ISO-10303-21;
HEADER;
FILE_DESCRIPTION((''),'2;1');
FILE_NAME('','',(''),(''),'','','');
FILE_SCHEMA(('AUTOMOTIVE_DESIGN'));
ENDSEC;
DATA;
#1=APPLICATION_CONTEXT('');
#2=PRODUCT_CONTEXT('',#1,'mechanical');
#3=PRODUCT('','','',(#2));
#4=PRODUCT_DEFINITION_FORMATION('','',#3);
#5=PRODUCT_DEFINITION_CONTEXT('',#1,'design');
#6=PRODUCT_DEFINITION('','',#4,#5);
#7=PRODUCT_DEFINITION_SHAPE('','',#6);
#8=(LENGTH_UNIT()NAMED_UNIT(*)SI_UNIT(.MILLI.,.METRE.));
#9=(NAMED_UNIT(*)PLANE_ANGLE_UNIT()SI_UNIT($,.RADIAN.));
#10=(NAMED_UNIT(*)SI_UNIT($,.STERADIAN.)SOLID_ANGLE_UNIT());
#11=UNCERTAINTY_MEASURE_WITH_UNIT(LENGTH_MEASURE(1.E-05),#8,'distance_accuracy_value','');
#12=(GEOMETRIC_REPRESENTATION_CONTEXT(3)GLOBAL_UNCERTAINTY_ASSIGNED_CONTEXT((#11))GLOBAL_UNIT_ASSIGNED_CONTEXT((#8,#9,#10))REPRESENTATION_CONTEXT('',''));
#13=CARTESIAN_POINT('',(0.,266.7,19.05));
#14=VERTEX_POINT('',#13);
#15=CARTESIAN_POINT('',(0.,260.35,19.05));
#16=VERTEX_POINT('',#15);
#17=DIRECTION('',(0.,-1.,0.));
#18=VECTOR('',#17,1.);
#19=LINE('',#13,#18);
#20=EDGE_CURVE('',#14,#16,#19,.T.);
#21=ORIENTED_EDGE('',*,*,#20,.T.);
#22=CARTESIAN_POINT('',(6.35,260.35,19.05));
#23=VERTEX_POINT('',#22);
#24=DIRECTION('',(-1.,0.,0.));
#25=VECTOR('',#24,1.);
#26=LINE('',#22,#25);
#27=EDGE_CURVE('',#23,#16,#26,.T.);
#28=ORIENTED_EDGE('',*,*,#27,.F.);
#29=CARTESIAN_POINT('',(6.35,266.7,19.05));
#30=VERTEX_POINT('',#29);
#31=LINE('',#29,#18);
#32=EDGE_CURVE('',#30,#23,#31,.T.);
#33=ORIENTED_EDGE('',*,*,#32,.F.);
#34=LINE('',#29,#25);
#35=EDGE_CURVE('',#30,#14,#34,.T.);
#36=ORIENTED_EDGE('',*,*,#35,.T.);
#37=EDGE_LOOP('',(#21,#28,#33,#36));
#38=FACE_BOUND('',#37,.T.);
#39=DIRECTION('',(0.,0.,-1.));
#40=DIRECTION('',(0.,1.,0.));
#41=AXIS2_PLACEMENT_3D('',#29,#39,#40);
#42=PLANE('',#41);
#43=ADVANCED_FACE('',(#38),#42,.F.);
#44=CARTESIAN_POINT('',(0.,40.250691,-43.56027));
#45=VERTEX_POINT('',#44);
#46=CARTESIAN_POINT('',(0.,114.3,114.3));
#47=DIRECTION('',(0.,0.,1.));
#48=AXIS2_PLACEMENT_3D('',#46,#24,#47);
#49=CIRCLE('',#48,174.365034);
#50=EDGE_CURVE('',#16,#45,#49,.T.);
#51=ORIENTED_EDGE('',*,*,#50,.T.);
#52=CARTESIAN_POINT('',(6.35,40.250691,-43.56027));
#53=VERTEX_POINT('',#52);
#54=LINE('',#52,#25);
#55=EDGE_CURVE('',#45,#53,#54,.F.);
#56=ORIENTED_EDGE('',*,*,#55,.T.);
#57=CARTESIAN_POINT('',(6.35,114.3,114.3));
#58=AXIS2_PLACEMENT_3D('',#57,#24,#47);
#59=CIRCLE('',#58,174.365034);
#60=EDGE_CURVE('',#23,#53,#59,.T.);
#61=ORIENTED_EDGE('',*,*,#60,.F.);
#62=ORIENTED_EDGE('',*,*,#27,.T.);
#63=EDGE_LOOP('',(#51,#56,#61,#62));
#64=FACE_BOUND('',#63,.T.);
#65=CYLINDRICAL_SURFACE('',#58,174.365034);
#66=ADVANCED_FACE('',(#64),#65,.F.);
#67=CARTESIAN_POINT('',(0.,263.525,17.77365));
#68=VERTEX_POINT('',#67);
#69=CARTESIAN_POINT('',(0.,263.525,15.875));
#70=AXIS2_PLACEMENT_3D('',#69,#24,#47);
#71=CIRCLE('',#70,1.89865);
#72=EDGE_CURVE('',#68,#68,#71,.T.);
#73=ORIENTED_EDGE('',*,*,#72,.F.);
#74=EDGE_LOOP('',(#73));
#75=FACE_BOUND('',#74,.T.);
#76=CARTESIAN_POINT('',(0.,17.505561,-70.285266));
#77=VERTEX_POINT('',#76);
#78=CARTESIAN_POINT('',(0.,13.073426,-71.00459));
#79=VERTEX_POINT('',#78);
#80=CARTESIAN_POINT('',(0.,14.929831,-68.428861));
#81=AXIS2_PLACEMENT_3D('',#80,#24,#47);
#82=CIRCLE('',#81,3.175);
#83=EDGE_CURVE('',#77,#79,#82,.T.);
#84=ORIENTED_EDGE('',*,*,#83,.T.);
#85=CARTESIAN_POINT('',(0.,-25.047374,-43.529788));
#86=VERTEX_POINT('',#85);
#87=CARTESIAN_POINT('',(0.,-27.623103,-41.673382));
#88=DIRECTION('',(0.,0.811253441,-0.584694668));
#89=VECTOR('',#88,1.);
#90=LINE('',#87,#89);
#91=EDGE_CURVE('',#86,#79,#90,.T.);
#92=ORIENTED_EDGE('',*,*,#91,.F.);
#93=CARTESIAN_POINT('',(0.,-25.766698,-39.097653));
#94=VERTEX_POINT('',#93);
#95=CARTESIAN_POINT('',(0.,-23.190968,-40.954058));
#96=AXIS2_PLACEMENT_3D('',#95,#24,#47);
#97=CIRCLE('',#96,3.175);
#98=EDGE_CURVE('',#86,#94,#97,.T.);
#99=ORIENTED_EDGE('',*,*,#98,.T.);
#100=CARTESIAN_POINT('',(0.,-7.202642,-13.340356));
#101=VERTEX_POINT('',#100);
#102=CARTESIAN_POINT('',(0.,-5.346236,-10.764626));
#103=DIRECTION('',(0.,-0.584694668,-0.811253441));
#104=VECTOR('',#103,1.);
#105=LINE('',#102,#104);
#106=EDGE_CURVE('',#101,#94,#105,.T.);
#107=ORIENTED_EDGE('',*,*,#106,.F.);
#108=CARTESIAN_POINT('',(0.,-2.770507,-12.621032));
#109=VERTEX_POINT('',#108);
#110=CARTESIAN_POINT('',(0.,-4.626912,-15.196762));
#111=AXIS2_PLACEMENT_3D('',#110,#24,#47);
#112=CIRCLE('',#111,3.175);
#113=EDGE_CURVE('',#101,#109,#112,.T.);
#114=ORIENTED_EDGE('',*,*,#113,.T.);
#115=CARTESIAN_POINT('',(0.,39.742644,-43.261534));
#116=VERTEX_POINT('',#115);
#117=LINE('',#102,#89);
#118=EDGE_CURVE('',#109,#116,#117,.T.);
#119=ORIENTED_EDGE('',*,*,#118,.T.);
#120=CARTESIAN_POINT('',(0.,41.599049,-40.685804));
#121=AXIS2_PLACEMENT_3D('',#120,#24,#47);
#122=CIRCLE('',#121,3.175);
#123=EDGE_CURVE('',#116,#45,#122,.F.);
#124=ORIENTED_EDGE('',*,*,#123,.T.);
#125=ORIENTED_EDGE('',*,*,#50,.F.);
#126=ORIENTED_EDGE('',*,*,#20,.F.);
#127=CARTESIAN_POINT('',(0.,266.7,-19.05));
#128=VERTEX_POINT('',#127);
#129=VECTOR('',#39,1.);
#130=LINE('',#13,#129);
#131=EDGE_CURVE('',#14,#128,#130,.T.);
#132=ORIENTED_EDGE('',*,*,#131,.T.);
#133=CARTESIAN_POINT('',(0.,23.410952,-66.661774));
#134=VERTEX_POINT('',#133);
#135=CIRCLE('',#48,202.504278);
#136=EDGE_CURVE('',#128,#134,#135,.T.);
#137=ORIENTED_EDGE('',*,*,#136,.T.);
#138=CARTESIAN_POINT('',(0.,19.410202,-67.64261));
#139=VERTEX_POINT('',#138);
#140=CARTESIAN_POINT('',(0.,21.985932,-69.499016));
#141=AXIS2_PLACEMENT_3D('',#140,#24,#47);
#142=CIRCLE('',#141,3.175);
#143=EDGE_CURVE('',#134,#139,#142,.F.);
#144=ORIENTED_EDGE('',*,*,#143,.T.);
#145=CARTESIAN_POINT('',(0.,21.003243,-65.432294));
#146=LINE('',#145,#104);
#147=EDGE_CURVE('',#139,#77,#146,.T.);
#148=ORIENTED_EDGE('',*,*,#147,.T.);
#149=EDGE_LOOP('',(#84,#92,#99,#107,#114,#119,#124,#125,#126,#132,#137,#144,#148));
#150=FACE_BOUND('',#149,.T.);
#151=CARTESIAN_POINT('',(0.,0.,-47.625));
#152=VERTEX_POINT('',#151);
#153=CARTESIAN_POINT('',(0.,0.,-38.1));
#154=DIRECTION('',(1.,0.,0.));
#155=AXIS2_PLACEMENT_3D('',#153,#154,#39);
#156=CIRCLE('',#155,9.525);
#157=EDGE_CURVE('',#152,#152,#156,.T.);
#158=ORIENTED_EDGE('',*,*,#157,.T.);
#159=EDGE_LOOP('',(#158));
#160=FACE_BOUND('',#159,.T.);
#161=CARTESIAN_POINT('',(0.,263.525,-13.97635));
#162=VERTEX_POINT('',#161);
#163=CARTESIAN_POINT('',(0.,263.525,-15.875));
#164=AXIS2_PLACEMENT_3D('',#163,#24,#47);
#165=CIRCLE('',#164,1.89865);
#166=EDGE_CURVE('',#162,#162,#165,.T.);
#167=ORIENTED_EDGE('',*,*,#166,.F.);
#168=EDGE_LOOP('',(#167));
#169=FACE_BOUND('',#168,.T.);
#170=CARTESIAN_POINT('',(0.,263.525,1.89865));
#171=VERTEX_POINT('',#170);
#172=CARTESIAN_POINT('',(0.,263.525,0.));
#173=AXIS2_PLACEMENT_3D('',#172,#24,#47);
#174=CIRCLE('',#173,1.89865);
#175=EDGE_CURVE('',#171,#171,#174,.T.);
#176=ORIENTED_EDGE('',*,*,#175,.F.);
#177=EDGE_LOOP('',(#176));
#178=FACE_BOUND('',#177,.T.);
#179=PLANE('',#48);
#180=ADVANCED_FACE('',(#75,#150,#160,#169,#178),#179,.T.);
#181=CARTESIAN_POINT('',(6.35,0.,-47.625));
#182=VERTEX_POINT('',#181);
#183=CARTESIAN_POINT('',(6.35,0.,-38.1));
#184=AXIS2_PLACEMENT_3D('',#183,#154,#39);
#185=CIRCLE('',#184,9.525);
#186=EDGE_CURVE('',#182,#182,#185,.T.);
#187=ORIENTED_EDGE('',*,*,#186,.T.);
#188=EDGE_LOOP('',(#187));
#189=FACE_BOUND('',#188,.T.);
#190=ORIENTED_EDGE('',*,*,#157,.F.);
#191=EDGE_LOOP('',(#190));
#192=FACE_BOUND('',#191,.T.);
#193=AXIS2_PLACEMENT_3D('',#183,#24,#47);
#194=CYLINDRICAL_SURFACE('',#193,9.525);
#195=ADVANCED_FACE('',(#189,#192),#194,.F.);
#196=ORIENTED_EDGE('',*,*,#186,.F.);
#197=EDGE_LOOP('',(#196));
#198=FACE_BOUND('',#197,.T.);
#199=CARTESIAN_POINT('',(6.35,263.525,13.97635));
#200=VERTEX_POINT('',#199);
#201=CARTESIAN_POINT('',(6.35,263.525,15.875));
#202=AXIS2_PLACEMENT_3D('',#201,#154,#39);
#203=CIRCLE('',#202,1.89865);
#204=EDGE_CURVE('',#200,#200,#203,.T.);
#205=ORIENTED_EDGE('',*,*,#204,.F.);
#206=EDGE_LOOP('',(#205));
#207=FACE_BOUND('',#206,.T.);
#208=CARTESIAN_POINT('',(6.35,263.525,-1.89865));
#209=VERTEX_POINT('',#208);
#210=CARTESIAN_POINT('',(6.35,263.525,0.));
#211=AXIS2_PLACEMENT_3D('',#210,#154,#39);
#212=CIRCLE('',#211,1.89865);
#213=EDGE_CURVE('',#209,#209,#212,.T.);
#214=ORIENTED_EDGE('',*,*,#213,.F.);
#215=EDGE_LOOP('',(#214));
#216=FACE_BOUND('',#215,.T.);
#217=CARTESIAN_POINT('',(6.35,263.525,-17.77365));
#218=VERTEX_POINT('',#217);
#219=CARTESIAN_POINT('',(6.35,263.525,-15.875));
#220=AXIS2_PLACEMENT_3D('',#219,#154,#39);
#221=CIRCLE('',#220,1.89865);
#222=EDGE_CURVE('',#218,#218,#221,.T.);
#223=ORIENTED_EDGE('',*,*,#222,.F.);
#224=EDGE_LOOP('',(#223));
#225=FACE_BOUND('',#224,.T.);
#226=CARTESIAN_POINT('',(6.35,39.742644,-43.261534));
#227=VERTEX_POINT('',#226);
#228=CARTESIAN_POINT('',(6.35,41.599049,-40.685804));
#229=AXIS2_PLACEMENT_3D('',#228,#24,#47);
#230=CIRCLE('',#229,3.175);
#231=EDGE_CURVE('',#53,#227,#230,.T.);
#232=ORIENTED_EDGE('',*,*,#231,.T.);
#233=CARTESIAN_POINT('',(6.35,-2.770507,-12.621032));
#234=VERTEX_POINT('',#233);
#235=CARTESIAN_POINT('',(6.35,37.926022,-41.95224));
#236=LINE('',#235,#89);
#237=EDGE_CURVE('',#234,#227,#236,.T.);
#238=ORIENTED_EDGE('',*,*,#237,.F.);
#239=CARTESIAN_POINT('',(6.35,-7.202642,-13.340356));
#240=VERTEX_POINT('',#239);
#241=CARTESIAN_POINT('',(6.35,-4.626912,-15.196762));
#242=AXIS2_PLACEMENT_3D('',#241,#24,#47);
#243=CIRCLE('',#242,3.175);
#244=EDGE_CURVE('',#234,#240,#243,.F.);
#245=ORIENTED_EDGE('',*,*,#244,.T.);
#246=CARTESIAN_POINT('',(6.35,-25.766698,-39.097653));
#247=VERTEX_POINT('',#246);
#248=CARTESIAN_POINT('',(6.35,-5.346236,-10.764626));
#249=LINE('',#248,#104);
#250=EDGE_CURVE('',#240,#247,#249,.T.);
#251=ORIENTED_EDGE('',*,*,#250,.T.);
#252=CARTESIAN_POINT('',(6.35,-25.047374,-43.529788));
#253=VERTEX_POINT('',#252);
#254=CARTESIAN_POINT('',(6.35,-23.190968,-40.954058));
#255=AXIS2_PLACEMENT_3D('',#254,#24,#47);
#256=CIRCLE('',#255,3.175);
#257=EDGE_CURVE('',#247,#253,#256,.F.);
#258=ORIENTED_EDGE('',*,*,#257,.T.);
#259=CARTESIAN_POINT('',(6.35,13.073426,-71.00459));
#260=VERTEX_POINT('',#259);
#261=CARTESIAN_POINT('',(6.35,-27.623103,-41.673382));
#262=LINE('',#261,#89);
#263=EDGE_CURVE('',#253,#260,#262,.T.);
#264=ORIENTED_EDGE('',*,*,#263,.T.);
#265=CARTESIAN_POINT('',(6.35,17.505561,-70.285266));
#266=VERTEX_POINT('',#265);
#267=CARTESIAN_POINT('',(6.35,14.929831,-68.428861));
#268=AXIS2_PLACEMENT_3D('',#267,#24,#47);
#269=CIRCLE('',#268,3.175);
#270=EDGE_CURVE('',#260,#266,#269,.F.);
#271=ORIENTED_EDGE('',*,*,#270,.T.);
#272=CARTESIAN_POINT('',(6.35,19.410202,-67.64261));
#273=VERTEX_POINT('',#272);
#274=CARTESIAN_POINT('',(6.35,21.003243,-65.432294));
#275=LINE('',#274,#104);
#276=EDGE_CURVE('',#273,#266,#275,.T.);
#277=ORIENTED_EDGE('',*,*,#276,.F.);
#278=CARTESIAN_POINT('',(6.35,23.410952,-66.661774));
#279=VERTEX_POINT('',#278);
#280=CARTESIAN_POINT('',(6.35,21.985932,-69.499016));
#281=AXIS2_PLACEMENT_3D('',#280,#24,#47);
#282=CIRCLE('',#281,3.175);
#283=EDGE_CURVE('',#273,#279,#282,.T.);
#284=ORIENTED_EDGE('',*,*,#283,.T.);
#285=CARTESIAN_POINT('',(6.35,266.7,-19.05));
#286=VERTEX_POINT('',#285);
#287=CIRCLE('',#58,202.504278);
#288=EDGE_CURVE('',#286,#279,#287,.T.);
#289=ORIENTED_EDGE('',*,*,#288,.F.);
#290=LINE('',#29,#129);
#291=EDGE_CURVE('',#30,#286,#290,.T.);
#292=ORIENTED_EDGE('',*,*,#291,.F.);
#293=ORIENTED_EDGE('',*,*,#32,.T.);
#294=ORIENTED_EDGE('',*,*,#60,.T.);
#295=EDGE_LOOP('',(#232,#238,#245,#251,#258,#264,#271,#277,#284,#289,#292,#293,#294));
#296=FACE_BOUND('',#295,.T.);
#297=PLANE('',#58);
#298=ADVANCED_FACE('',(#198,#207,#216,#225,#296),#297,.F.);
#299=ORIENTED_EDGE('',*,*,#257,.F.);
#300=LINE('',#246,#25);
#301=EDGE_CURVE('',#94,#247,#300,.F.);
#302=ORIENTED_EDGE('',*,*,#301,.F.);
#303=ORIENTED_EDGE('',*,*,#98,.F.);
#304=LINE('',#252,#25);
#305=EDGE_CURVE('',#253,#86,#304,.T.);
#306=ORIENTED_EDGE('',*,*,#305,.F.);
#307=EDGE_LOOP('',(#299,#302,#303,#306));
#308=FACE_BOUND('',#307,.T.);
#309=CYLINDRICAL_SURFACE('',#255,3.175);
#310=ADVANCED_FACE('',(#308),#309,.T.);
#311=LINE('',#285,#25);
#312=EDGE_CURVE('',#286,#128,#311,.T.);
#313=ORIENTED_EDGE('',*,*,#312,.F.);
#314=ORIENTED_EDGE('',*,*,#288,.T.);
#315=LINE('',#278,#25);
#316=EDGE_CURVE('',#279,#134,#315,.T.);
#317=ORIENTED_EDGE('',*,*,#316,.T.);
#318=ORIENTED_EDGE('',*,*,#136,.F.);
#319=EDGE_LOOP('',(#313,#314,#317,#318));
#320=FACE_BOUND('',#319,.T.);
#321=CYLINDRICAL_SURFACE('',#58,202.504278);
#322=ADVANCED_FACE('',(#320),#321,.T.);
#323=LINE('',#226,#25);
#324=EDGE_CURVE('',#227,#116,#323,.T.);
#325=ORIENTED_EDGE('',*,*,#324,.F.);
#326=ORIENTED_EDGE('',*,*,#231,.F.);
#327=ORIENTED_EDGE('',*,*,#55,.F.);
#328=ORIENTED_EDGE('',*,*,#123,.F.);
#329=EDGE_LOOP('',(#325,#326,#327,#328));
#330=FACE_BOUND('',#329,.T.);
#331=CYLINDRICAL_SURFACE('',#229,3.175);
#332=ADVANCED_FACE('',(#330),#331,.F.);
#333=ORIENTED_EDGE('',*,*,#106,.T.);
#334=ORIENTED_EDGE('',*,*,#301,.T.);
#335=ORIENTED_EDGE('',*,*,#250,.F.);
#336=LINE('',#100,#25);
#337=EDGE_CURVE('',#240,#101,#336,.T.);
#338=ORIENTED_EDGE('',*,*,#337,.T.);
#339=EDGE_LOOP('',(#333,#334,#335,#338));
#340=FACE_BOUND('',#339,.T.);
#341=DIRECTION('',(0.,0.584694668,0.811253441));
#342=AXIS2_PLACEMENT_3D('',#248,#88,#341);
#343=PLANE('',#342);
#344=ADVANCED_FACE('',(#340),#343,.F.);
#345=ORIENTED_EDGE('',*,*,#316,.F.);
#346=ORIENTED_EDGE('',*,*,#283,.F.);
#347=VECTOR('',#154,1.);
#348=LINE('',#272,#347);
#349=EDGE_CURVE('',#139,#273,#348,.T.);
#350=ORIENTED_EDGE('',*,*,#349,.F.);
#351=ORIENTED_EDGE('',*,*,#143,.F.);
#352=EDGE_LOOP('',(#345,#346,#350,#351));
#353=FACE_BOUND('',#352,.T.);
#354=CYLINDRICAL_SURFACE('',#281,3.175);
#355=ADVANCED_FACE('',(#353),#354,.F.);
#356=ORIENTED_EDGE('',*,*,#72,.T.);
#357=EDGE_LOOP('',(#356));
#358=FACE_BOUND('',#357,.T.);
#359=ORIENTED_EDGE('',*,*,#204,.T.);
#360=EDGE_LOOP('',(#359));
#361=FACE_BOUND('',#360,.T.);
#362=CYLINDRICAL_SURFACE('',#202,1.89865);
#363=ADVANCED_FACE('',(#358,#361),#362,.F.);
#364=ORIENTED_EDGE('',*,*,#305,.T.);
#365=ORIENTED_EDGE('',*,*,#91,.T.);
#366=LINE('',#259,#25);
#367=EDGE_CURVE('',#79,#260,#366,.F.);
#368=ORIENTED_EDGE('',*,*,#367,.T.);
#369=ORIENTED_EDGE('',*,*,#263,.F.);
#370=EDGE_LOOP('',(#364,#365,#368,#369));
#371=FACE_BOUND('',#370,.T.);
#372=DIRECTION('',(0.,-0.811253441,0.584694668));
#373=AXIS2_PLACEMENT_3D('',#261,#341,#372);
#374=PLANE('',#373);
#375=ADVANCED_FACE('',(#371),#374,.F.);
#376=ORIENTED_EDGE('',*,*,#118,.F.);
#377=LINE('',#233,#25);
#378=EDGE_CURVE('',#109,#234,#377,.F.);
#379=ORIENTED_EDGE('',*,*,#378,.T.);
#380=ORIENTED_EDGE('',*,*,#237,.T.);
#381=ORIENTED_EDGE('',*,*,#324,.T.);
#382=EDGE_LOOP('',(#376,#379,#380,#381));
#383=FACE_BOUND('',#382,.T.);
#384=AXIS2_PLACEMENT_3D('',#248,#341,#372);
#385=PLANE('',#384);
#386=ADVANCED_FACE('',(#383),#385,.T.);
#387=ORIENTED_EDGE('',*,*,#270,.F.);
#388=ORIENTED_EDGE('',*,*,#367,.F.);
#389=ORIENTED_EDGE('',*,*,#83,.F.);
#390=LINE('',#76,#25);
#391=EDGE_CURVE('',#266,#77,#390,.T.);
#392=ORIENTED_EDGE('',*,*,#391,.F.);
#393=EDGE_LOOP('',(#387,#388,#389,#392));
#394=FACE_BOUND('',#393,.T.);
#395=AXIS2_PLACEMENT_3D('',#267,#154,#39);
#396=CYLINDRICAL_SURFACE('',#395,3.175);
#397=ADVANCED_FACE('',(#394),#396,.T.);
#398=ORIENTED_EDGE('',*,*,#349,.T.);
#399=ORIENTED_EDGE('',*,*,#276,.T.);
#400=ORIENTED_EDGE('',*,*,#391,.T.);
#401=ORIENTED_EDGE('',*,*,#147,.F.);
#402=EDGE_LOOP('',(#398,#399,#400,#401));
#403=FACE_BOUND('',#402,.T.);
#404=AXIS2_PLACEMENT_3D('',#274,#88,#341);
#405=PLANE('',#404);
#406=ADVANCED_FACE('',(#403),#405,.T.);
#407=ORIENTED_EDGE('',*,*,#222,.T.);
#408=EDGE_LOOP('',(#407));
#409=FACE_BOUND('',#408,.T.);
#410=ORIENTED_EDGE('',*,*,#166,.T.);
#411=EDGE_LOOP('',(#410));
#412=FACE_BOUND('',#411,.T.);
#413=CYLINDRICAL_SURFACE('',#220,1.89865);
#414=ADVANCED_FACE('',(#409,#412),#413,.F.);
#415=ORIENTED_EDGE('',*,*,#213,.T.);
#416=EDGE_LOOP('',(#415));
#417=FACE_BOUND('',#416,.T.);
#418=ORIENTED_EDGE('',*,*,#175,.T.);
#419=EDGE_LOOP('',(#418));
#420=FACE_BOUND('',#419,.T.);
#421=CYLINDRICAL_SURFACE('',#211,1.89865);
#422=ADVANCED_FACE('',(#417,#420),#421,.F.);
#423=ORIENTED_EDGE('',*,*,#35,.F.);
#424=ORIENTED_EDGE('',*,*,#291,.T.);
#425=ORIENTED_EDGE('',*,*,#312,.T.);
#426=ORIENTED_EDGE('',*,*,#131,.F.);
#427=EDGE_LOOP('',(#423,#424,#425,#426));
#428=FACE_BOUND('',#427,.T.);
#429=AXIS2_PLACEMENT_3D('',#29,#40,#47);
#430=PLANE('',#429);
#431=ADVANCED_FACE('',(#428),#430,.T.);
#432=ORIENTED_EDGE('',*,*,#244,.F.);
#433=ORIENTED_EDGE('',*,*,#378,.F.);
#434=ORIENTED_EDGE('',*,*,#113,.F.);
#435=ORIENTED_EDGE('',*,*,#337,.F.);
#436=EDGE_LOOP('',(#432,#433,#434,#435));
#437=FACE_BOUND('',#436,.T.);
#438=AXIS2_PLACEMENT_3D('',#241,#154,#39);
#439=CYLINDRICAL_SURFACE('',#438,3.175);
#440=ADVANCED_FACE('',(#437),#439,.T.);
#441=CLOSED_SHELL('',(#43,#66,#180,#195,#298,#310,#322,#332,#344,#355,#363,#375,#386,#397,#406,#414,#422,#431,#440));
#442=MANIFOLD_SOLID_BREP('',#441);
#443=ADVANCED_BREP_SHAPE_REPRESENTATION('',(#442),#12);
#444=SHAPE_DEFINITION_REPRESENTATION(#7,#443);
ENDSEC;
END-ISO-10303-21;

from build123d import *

# Parameters (mm, degrees)
SKETCH1_R                 = 9.525
BOSS_EXTRUDE1_DEPTH       = 6.35
FILLET1_R                 = 3.175
F_6_CLEARANCE_HOLE1_D     = 3.7973
F_6_CLEARANCE_HOLE1_DEPTH = 6.35


with BuildPart() as part:
    # Sketch1 → Boss-Extrude1 (new body)
    with BuildSketch(Plane(origin=(0, 0, 0), x_dir=(0, 0, -1), z_dir=(1, 0, 0))):
        with BuildLine():
            Line((-19.05, 266.7), (19.05, 266.7))
            ThreePointArc((19.05, 266.7), (84.689584794, 151.864978949), (65.432294388, 21.003243067))
            Line((65.432294388, 21.003243067), (72.860995986, 15.649155186))
            Line((72.860995986, 15.649155186), (41.67338239, -27.623103343))
            Line((41.67338239, -27.623103343), (10.764626298, -5.346236488))
            Line((10.764626298, -5.346236488), (41.952239895, 37.92602204))
            Line((41.952239895, 37.92602204), (43.433779152, 39.981631379))
            ThreePointArc((43.433779152, 39.981631379), (53.452056919, 161.864823129), (-19.05, 260.35))
            Line((-19.05, 260.35), (-19.05, 266.7))
        make_face()
        with Locations((38.1, 0)):
            Circle(SKETCH1_R, mode=Mode.SUBTRACT)
    extrude(amount=BOSS_EXTRUDE1_DEPTH)

    # Fillet1
    fillet1_edges = [part.edges().sort_by_distance(p)[0] for p in [
        (3.175, 21.003243067, -65.432294388),
        (3.175, 15.649155186, -72.860995986),
        (3.175, -27.623103343, -41.67338239),
        (3.175, -5.346236488, -10.764626298),
        (3.175, 39.981631379, -43.433779152),
    ]]
    fillet(fillet1_edges, radius=FILLET1_R)

    # #6 Clearance Hole1
    with Locations(Plane(origin=(6.35, 0, 0), x_dir=(0, 0, -1), z_dir=(1, 0, 0))):
        with Locations((-15.875, 263.525), (15.875, 263.525), (0, 263.525)):
            Hole(F_6_CLEARANCE_HOLE1_D / 2, depth=F_6_CLEARANCE_HOLE1_DEPTH)


solid = part.part
